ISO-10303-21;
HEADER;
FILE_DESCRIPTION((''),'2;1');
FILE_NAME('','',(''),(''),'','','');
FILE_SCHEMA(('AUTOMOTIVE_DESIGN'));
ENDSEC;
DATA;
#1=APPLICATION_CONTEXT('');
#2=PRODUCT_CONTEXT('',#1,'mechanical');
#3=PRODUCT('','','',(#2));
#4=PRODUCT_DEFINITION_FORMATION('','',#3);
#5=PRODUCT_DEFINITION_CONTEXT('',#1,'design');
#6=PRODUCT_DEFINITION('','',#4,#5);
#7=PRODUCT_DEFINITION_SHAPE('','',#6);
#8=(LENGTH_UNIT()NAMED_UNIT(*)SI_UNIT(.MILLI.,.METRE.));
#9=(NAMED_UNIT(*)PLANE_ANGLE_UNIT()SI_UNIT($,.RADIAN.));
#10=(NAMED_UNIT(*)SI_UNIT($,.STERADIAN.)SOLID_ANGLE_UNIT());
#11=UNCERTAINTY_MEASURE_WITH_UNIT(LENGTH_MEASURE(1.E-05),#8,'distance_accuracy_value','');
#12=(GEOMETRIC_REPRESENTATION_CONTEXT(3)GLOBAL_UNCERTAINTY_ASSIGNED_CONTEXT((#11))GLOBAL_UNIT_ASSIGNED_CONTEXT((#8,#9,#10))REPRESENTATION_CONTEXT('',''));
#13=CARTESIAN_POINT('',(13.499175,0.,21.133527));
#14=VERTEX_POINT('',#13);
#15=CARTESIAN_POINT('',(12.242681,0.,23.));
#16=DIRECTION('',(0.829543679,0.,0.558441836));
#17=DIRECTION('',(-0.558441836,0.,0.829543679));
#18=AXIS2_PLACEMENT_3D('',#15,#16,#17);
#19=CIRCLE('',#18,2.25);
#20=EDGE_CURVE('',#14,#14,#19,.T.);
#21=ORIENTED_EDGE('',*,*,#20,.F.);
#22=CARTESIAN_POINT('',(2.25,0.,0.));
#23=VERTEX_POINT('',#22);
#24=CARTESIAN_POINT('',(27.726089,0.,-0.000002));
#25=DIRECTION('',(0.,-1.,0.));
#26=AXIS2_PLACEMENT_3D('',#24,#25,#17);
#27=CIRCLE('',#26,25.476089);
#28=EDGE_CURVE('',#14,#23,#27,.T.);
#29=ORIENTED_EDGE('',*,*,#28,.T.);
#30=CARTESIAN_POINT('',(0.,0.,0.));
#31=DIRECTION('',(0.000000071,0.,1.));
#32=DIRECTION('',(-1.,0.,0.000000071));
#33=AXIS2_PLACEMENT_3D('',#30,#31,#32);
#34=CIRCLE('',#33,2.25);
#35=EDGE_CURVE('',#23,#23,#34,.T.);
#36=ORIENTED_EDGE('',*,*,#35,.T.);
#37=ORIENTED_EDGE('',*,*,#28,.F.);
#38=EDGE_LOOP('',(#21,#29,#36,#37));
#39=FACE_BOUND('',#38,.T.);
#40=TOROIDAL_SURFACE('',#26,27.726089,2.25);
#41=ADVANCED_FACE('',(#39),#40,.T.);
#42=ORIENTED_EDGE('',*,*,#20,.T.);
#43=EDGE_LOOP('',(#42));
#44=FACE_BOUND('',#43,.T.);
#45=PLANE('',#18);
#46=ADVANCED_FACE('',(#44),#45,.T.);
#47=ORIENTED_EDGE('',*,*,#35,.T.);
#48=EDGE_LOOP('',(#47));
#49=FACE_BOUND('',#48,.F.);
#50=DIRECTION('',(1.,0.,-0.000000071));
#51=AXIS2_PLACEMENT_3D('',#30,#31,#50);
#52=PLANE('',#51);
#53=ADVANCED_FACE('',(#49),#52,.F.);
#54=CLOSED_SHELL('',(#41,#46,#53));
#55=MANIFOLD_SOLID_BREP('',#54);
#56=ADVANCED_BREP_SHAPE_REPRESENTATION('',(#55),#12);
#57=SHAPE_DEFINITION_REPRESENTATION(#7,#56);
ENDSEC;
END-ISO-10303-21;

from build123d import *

# Parameters (mm, degrees)
F0_R = 2.25


with BuildPart() as f2:
    # F2: sweep along a path in F1
    with BuildLine(Plane.XZ) as f2_path:
        ThreePointArc((12.242681, 23), (3.251303, 13.027694), (0, 0))
    # F0 (on Top) → F2 (sweep)
    with BuildSketch(Plane.XY):
        Circle(F0_R)
    sweep(path=f2_path.line)


solid = f2.part
